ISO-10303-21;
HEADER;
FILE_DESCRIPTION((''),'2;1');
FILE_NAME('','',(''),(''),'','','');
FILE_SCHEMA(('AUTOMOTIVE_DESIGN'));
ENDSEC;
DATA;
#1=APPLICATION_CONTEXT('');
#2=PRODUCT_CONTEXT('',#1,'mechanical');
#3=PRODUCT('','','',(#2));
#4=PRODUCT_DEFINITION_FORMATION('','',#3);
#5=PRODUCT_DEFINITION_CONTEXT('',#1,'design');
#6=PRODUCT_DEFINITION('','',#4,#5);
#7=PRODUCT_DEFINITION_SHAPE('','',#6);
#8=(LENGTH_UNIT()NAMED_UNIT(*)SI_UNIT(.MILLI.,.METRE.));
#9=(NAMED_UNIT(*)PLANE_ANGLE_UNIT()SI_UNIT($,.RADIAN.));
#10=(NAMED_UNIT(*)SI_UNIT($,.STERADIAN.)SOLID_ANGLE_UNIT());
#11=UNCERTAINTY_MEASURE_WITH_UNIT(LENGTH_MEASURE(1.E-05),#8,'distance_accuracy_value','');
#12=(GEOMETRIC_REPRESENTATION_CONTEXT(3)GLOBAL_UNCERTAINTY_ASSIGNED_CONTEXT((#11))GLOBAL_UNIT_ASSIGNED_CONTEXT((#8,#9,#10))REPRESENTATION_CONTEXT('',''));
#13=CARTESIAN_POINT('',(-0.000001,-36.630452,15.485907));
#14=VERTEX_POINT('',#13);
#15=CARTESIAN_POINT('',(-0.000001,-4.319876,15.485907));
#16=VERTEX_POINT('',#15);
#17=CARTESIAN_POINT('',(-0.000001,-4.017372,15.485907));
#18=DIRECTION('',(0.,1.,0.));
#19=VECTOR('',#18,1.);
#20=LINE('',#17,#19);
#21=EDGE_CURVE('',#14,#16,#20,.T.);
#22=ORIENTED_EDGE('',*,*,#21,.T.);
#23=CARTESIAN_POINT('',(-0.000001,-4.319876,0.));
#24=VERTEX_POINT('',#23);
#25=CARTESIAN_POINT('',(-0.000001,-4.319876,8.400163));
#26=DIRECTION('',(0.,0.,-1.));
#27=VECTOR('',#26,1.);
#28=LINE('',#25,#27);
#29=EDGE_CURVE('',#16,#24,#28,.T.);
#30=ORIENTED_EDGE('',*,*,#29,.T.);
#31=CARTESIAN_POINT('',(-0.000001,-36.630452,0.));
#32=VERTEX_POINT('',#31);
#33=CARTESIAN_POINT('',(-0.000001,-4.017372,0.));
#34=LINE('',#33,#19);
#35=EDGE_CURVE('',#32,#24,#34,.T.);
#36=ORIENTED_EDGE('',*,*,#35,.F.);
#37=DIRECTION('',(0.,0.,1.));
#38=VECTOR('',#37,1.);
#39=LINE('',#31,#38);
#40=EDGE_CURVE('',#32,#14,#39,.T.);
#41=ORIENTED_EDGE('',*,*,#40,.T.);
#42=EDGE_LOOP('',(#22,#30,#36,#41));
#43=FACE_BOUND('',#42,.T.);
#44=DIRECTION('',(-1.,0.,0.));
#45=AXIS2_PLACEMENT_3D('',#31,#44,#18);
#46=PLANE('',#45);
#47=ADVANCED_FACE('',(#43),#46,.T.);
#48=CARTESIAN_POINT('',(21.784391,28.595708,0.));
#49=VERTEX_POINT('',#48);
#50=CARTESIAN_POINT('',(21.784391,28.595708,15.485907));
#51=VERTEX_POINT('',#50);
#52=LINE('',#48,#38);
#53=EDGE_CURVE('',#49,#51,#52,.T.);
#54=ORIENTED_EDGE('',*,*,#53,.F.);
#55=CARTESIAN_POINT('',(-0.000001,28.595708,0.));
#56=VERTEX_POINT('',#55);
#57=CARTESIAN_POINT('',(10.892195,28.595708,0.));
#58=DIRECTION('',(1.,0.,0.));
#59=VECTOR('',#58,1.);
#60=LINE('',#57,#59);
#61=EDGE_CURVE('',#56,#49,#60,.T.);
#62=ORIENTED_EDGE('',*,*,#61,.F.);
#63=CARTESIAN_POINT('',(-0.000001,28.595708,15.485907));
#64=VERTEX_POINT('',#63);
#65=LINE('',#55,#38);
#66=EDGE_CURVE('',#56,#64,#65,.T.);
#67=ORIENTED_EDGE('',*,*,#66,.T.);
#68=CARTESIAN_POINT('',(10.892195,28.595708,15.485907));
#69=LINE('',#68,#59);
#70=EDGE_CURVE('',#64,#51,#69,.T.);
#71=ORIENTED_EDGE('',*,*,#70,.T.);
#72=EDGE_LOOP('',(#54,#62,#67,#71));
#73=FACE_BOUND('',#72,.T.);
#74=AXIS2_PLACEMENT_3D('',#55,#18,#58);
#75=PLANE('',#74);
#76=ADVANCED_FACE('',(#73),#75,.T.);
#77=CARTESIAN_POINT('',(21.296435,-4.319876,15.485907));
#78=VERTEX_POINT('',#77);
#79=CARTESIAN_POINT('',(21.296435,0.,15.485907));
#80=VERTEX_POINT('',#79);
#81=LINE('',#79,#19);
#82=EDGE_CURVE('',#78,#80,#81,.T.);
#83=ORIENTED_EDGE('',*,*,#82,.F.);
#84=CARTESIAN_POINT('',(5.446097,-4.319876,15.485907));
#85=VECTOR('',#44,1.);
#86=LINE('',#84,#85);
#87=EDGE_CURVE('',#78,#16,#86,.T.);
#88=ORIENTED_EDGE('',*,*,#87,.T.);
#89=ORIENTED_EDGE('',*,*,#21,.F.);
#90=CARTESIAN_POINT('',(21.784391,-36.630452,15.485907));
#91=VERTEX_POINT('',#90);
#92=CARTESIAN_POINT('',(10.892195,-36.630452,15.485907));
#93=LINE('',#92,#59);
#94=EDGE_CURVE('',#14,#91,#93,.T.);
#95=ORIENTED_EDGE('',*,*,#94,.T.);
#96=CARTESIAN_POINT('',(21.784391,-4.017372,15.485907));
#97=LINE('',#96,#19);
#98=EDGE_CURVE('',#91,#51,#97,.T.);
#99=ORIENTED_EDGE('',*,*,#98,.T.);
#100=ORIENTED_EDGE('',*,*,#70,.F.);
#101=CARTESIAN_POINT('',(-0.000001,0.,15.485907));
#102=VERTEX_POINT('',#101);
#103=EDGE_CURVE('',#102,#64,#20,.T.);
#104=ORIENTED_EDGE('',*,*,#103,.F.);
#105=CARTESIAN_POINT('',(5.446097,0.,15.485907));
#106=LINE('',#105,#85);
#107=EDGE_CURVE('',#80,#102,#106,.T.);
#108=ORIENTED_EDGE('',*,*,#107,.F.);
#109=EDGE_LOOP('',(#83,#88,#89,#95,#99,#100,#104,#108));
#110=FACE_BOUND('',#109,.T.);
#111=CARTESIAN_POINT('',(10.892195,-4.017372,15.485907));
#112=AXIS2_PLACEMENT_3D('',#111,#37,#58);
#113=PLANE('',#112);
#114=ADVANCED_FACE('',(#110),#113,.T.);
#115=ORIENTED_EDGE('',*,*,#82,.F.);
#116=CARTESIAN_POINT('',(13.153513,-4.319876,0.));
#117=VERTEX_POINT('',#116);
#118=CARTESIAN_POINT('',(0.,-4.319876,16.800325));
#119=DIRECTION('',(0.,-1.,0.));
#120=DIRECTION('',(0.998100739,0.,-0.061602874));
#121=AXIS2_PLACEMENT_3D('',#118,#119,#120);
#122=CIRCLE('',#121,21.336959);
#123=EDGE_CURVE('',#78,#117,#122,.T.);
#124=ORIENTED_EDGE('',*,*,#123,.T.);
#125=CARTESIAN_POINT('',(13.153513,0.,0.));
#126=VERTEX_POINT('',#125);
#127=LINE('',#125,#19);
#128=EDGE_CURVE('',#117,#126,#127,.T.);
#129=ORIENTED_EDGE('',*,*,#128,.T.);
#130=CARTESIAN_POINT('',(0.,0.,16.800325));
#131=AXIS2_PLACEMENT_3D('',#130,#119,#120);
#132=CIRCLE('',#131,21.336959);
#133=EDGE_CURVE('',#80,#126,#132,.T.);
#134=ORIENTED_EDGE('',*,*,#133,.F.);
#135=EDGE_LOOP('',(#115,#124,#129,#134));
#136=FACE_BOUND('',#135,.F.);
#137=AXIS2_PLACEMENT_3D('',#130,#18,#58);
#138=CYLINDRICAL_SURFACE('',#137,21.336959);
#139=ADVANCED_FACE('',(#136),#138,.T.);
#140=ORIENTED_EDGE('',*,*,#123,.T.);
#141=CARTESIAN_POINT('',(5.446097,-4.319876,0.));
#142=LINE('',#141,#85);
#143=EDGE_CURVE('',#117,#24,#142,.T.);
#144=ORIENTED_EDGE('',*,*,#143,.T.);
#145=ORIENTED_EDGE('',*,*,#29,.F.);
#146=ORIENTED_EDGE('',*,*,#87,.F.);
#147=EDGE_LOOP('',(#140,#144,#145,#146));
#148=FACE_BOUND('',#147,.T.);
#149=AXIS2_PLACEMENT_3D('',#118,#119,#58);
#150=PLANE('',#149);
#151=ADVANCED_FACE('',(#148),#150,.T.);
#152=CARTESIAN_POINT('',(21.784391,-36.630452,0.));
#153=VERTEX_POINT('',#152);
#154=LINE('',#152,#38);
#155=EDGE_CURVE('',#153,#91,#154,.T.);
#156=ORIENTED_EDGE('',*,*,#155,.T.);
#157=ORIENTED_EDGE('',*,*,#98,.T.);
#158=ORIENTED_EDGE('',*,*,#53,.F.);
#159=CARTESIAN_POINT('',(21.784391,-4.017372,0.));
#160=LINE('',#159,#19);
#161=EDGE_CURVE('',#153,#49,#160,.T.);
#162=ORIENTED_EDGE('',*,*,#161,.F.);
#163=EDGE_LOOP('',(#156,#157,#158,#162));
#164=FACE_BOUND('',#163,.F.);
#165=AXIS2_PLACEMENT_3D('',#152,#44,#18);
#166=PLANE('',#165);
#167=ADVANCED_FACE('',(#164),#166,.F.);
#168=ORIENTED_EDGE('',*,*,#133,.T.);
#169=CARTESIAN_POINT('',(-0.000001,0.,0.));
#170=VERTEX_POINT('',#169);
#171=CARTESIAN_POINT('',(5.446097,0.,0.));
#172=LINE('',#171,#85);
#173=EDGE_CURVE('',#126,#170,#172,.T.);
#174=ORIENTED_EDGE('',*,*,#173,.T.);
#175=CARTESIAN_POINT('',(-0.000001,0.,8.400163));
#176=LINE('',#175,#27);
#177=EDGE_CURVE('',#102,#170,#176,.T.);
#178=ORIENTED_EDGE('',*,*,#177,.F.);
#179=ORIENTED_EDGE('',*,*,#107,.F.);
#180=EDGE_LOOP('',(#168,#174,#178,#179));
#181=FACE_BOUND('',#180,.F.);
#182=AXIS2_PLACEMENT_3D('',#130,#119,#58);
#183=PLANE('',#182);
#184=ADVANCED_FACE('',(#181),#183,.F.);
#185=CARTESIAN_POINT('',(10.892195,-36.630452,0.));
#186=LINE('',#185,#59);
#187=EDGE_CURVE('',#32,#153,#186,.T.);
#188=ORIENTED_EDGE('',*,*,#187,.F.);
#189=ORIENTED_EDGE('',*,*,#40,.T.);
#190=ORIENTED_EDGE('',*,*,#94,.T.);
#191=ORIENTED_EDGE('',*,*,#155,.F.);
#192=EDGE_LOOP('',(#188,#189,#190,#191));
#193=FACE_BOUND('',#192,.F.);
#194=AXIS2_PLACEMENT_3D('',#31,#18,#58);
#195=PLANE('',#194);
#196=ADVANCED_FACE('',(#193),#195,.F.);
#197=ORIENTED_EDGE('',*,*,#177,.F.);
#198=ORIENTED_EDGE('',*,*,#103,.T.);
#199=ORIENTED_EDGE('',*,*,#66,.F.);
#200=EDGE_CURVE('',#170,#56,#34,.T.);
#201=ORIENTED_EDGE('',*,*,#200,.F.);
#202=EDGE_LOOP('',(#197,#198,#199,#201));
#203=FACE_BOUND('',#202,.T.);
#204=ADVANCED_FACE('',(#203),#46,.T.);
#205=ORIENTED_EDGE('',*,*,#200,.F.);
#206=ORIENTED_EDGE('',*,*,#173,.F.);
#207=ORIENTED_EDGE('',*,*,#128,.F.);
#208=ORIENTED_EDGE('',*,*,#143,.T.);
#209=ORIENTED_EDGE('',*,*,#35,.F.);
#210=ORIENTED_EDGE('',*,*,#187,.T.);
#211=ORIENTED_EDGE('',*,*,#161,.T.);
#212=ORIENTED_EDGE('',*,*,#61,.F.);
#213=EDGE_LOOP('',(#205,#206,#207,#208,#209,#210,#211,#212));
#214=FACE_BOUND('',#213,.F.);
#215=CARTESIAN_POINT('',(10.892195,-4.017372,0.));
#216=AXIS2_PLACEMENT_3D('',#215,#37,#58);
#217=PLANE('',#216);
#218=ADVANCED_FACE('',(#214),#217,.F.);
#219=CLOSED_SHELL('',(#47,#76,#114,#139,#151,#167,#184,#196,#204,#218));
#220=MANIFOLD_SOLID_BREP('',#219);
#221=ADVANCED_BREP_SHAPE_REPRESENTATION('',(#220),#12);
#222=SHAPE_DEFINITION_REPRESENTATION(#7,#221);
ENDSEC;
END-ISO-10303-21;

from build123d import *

# Parameters (mm, degrees)
F0_R     = 21.336959
F1_DEPTH = 4.319876
F2_W     = 21.784391
F2_H     = 65.22616
F3_DEPTH = 15.485907


with BuildPart() as f1:
    # F0 (on Front) → F1 (new body)
    with BuildSketch(Plane.XZ):
        with Locations((0, 16.800325)):
            Circle(F0_R)
    extrude(amount=F1_DEPTH)

    # F2 (on Top) → F3 (join)
    with BuildSketch(Plane.XY):
        with Locations((10.892195, -4.017372)):
            Rectangle(F2_W, F2_H)
    extrude(amount=F3_DEPTH)


solid = f1.part
